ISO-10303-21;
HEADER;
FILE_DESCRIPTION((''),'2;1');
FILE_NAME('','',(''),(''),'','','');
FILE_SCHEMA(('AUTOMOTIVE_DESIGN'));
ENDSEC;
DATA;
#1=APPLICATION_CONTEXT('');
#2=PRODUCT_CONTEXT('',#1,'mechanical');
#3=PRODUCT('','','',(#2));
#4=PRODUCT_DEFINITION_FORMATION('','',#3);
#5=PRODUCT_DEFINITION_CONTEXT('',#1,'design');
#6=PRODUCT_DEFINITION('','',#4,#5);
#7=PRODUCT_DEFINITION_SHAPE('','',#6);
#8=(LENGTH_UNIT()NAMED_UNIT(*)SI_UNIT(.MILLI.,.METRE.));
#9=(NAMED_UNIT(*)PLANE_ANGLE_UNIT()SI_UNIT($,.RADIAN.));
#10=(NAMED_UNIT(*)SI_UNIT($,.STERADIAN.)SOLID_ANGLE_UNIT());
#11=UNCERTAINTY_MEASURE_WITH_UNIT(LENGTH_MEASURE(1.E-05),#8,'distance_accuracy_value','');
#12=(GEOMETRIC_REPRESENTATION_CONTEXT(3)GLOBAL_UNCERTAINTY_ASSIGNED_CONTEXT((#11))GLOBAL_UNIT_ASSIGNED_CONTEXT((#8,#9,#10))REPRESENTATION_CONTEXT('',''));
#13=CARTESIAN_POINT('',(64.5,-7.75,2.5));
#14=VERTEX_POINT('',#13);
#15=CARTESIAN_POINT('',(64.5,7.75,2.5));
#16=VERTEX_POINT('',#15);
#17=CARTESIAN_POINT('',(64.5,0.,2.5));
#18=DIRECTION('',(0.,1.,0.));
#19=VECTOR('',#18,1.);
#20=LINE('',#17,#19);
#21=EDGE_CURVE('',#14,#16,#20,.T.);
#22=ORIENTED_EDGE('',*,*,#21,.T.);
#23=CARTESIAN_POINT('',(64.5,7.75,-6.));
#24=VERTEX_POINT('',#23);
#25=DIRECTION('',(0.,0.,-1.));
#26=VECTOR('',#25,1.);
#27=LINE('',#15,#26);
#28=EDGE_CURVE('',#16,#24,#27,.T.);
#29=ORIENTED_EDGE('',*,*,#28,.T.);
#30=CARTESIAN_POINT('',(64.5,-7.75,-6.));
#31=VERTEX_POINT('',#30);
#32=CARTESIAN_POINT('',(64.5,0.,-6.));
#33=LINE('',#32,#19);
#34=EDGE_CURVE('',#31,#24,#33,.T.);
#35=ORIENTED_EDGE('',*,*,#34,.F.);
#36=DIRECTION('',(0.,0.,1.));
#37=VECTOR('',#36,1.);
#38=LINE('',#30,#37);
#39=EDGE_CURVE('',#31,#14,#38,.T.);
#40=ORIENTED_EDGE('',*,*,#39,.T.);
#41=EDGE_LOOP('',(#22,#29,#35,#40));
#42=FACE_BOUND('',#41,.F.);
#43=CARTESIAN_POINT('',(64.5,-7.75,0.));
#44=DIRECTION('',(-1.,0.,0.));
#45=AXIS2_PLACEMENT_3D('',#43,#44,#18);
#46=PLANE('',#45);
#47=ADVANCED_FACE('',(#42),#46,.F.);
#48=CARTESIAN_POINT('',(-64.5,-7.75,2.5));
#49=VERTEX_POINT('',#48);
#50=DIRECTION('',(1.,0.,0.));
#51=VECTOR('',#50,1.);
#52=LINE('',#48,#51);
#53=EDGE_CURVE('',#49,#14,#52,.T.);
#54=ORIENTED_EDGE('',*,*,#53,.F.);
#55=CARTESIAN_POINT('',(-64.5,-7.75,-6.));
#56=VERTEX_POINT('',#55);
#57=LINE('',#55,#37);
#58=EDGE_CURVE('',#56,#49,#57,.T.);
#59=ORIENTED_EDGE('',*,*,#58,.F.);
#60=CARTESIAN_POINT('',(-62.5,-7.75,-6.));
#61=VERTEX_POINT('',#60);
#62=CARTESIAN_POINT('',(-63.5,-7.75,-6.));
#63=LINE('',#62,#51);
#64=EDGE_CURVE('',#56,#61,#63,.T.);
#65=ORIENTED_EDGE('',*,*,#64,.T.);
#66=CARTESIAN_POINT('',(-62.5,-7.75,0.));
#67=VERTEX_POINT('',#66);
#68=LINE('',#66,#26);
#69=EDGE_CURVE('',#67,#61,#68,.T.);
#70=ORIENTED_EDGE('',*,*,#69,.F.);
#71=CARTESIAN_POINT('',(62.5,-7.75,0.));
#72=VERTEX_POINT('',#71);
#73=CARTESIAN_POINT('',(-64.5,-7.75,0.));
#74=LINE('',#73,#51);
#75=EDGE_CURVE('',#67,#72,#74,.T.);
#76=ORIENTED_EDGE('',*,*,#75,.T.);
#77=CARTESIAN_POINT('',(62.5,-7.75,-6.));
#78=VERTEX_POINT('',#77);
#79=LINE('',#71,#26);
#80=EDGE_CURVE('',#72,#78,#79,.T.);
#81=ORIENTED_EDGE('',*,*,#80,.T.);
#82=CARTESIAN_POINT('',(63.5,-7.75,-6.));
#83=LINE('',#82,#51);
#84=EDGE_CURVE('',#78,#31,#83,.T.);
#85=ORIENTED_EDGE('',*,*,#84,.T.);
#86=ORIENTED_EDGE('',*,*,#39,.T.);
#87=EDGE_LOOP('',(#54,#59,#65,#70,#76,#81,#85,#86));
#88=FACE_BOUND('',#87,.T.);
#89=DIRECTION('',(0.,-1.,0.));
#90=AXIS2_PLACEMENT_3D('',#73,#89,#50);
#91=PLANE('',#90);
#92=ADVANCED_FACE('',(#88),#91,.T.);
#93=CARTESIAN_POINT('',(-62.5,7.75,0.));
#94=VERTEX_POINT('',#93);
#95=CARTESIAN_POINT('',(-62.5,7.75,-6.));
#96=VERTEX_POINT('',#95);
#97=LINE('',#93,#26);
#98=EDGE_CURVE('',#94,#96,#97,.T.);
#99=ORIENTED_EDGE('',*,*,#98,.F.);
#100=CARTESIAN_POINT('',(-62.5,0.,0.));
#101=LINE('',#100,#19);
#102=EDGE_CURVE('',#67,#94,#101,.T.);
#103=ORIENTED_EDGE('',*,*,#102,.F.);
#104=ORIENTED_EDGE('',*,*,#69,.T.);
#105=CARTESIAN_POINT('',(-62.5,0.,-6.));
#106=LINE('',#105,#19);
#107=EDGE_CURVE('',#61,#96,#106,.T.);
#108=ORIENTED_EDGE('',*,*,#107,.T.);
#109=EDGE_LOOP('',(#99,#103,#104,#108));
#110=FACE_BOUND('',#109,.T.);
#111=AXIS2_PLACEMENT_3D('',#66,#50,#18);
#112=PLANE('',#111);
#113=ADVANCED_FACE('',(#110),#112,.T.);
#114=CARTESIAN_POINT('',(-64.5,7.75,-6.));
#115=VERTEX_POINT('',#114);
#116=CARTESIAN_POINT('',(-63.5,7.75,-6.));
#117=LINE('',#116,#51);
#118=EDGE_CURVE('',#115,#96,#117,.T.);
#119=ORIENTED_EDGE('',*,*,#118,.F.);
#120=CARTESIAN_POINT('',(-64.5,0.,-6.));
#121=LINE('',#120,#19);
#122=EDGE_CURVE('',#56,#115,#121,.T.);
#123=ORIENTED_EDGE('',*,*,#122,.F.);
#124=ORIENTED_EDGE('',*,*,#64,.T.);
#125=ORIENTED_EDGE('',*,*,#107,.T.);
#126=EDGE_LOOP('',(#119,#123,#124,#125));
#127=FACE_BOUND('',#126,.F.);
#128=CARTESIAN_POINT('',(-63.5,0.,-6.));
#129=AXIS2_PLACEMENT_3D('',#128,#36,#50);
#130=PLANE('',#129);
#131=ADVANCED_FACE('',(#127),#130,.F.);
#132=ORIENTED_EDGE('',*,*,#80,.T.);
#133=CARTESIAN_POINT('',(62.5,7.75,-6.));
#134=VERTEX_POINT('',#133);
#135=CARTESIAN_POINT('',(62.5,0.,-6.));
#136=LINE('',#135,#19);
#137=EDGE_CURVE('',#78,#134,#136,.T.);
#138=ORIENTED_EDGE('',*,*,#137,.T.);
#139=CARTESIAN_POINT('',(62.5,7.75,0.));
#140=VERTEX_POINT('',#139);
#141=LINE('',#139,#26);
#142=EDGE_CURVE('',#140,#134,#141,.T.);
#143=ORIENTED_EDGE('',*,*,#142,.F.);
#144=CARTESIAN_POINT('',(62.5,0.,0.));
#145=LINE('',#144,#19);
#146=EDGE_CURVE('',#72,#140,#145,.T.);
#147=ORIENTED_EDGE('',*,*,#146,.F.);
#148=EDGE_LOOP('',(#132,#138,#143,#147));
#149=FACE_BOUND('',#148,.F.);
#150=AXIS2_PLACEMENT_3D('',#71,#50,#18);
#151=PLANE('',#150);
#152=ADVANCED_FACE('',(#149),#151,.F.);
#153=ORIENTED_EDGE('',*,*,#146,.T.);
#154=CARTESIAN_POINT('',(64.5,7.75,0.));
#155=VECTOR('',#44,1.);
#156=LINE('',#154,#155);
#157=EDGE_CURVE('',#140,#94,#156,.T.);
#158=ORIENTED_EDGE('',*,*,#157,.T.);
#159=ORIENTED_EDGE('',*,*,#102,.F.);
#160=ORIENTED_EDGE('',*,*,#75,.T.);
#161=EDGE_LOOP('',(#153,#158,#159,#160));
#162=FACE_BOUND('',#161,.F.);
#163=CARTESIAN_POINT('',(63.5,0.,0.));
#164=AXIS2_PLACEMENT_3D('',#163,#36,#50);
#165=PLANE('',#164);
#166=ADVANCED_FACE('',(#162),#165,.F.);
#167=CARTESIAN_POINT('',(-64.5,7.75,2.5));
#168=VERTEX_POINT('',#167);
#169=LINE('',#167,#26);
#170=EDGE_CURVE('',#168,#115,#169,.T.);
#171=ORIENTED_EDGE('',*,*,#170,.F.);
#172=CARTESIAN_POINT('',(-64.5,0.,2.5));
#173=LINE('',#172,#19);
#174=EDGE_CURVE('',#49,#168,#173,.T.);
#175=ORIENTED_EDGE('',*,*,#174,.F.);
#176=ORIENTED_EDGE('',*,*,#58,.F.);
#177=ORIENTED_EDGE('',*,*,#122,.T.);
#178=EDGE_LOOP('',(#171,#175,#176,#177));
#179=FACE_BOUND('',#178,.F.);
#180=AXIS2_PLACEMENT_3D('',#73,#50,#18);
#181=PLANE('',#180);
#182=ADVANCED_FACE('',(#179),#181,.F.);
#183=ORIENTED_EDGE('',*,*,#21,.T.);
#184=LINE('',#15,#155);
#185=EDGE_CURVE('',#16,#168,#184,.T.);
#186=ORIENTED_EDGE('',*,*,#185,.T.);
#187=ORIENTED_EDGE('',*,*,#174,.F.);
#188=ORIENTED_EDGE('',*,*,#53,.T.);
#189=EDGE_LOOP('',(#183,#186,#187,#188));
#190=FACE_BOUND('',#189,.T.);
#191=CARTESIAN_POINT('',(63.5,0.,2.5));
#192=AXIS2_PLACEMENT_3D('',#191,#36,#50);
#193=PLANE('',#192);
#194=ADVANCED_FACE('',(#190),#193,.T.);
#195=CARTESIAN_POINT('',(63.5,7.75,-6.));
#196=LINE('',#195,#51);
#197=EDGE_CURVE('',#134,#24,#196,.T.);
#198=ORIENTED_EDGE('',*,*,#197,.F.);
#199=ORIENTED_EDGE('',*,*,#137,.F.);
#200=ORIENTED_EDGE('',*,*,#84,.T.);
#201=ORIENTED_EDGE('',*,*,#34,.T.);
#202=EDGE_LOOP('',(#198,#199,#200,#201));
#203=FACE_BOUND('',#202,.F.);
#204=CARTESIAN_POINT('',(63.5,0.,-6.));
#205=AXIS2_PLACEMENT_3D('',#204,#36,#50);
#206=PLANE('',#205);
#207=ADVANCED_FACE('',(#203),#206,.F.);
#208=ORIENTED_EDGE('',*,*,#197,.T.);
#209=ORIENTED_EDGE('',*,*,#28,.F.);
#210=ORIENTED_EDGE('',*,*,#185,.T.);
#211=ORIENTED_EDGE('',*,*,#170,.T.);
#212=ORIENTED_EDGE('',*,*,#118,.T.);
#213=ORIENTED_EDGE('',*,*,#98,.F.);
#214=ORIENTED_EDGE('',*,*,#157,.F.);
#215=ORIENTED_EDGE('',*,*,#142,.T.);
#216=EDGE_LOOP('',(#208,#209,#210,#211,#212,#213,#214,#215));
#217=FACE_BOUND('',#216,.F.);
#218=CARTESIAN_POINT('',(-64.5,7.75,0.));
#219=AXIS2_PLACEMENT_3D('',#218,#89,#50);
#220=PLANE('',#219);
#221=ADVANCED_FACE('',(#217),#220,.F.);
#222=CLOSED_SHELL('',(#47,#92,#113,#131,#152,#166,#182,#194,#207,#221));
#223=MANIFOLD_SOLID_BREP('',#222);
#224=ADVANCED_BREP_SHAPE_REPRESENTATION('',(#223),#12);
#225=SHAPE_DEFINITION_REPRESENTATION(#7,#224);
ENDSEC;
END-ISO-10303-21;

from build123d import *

# Parameters (mm, degrees)
F0_W     = 2
F0_H     = 15.5
F0_W_2   = 125
F1_DEPTH = 2.5
F2_DEPTH = 6


with BuildPart() as f1:
    # F0 (on Top) → F1 (new body)
    with BuildSketch(Plane.XY):
        with Locations((63.5, 0)):
            Rectangle(F0_W, F0_H)
        Rectangle(F0_W_2, F0_H)
        with Locations((-63.5, 0)):
            Rectangle(F0_W, F0_H)
    extrude(amount=F1_DEPTH)

    # F0 (on Top) → F2 (join)
    with BuildSketch(Plane.XY):
        with Locations((-63.5, 0)):
            Rectangle(F0_W, F0_H)
        with Locations((63.5, 0)):
            Rectangle(F0_W, F0_H)
    extrude(amount=-F2_DEPTH)


solid = f1.part
